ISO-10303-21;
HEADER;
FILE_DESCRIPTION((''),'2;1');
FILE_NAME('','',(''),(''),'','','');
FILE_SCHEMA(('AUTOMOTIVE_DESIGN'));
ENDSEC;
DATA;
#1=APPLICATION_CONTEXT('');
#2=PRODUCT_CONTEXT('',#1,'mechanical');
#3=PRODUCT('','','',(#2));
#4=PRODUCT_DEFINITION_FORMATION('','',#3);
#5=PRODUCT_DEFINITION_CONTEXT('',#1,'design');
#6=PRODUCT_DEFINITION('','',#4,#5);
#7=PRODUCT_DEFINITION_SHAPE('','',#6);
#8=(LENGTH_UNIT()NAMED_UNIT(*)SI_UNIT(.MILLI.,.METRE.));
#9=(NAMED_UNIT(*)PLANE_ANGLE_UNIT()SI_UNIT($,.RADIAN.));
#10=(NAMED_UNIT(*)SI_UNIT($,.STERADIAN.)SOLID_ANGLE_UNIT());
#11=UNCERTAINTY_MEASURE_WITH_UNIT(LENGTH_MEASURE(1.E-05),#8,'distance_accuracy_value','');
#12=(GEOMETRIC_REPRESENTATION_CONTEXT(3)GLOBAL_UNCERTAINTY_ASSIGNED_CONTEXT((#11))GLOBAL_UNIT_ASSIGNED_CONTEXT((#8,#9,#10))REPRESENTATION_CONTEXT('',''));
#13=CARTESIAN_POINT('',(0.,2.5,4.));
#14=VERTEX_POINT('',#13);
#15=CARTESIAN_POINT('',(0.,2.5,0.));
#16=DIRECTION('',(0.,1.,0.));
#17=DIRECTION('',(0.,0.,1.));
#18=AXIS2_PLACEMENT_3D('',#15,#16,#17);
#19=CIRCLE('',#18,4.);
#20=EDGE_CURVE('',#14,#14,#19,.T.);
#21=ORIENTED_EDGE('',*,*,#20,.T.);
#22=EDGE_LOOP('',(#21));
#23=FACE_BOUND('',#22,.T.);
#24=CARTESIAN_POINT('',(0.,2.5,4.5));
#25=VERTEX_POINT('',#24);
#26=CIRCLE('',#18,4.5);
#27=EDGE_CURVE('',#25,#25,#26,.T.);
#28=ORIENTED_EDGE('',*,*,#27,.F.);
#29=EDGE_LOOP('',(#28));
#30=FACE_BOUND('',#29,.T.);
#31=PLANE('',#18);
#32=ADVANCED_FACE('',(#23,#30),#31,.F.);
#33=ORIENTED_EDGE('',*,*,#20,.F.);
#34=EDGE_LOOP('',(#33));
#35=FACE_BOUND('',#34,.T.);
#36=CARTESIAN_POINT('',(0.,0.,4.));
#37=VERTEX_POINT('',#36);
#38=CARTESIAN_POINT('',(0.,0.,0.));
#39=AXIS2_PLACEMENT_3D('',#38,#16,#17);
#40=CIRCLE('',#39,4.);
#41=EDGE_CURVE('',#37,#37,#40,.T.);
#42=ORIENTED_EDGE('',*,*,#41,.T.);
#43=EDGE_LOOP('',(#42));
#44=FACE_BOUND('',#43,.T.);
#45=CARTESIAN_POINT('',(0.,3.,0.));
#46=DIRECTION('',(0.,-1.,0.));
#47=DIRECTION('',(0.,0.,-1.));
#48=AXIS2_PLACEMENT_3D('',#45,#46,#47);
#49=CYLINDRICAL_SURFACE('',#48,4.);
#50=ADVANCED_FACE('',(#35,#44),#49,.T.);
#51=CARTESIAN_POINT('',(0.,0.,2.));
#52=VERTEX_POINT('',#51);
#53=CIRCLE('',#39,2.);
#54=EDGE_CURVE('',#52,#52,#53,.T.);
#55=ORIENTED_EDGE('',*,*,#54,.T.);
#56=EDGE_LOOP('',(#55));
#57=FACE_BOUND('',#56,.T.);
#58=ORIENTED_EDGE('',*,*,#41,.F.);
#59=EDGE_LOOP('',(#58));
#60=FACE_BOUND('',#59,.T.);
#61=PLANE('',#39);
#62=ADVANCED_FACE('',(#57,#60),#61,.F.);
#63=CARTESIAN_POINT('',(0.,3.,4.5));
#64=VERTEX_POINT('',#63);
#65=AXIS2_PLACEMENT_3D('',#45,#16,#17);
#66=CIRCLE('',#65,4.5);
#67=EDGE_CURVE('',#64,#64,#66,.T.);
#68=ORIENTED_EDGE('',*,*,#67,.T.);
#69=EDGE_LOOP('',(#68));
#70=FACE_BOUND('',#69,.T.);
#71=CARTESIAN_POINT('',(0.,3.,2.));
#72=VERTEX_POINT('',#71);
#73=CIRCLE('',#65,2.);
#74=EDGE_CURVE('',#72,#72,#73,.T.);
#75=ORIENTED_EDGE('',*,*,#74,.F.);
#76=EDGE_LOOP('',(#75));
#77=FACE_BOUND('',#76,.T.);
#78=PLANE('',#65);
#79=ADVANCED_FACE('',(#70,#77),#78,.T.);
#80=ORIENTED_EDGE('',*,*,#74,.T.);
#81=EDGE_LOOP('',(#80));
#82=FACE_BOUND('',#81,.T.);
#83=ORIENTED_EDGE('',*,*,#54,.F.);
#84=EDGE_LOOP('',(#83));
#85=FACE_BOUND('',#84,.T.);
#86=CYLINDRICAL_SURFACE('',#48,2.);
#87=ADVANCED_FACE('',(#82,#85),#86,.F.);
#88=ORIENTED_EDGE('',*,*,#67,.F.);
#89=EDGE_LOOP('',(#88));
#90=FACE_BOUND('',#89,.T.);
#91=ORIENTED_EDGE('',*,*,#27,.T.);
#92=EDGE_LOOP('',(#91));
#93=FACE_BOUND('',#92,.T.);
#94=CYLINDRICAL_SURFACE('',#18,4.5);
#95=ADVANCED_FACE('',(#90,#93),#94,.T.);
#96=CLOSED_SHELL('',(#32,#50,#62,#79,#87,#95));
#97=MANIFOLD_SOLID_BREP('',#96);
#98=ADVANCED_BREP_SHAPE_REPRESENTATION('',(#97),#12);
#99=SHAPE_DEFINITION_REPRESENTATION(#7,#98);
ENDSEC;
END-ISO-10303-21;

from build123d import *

# Parameters (mm, degrees)
SKETCH_1_R      = 4
SKETCH_1_R_2    = 2
EXTRUDE_1_DEPTH = 3
EXTRUDE_START   = -0.5
SKETCH_2_R      = 4.5
SKETCH_2_R_2    = 2
EXTRUDE_2_DEPTH = 0.5


with BuildPart() as part:
    # 草图1 → 凸台-拉伸1 (new body)
    with BuildSketch(Plane(origin=(0, 0, 0), x_dir=(1, 0, 0), z_dir=(0, 1, 0))):
        with Locations(Location((0, 0, 0), (0, 0, 270))):
            Circle(SKETCH_1_R)
        with Locations(Location((0, 0, 0), (0, 0, 270))):
            Circle(SKETCH_1_R_2, mode=Mode.SUBTRACT)
    extrude(amount=EXTRUDE_1_DEPTH)

    # 草图2 → 凸台-拉伸2 (add)
    with BuildSketch(Plane(origin=(0, 3, 0), x_dir=(1, 0, 0), z_dir=(0, 1, 0)).offset(EXTRUDE_START)):
        with Locations(Location((0, 0, 0), (0, 0, 270))):
            Circle(SKETCH_2_R)
        with Locations(Location((0, 0, 0), (0, 0, 270))):
            Circle(SKETCH_2_R_2, mode=Mode.SUBTRACT)
    extrude(amount=EXTRUDE_2_DEPTH)


solid = part.part
